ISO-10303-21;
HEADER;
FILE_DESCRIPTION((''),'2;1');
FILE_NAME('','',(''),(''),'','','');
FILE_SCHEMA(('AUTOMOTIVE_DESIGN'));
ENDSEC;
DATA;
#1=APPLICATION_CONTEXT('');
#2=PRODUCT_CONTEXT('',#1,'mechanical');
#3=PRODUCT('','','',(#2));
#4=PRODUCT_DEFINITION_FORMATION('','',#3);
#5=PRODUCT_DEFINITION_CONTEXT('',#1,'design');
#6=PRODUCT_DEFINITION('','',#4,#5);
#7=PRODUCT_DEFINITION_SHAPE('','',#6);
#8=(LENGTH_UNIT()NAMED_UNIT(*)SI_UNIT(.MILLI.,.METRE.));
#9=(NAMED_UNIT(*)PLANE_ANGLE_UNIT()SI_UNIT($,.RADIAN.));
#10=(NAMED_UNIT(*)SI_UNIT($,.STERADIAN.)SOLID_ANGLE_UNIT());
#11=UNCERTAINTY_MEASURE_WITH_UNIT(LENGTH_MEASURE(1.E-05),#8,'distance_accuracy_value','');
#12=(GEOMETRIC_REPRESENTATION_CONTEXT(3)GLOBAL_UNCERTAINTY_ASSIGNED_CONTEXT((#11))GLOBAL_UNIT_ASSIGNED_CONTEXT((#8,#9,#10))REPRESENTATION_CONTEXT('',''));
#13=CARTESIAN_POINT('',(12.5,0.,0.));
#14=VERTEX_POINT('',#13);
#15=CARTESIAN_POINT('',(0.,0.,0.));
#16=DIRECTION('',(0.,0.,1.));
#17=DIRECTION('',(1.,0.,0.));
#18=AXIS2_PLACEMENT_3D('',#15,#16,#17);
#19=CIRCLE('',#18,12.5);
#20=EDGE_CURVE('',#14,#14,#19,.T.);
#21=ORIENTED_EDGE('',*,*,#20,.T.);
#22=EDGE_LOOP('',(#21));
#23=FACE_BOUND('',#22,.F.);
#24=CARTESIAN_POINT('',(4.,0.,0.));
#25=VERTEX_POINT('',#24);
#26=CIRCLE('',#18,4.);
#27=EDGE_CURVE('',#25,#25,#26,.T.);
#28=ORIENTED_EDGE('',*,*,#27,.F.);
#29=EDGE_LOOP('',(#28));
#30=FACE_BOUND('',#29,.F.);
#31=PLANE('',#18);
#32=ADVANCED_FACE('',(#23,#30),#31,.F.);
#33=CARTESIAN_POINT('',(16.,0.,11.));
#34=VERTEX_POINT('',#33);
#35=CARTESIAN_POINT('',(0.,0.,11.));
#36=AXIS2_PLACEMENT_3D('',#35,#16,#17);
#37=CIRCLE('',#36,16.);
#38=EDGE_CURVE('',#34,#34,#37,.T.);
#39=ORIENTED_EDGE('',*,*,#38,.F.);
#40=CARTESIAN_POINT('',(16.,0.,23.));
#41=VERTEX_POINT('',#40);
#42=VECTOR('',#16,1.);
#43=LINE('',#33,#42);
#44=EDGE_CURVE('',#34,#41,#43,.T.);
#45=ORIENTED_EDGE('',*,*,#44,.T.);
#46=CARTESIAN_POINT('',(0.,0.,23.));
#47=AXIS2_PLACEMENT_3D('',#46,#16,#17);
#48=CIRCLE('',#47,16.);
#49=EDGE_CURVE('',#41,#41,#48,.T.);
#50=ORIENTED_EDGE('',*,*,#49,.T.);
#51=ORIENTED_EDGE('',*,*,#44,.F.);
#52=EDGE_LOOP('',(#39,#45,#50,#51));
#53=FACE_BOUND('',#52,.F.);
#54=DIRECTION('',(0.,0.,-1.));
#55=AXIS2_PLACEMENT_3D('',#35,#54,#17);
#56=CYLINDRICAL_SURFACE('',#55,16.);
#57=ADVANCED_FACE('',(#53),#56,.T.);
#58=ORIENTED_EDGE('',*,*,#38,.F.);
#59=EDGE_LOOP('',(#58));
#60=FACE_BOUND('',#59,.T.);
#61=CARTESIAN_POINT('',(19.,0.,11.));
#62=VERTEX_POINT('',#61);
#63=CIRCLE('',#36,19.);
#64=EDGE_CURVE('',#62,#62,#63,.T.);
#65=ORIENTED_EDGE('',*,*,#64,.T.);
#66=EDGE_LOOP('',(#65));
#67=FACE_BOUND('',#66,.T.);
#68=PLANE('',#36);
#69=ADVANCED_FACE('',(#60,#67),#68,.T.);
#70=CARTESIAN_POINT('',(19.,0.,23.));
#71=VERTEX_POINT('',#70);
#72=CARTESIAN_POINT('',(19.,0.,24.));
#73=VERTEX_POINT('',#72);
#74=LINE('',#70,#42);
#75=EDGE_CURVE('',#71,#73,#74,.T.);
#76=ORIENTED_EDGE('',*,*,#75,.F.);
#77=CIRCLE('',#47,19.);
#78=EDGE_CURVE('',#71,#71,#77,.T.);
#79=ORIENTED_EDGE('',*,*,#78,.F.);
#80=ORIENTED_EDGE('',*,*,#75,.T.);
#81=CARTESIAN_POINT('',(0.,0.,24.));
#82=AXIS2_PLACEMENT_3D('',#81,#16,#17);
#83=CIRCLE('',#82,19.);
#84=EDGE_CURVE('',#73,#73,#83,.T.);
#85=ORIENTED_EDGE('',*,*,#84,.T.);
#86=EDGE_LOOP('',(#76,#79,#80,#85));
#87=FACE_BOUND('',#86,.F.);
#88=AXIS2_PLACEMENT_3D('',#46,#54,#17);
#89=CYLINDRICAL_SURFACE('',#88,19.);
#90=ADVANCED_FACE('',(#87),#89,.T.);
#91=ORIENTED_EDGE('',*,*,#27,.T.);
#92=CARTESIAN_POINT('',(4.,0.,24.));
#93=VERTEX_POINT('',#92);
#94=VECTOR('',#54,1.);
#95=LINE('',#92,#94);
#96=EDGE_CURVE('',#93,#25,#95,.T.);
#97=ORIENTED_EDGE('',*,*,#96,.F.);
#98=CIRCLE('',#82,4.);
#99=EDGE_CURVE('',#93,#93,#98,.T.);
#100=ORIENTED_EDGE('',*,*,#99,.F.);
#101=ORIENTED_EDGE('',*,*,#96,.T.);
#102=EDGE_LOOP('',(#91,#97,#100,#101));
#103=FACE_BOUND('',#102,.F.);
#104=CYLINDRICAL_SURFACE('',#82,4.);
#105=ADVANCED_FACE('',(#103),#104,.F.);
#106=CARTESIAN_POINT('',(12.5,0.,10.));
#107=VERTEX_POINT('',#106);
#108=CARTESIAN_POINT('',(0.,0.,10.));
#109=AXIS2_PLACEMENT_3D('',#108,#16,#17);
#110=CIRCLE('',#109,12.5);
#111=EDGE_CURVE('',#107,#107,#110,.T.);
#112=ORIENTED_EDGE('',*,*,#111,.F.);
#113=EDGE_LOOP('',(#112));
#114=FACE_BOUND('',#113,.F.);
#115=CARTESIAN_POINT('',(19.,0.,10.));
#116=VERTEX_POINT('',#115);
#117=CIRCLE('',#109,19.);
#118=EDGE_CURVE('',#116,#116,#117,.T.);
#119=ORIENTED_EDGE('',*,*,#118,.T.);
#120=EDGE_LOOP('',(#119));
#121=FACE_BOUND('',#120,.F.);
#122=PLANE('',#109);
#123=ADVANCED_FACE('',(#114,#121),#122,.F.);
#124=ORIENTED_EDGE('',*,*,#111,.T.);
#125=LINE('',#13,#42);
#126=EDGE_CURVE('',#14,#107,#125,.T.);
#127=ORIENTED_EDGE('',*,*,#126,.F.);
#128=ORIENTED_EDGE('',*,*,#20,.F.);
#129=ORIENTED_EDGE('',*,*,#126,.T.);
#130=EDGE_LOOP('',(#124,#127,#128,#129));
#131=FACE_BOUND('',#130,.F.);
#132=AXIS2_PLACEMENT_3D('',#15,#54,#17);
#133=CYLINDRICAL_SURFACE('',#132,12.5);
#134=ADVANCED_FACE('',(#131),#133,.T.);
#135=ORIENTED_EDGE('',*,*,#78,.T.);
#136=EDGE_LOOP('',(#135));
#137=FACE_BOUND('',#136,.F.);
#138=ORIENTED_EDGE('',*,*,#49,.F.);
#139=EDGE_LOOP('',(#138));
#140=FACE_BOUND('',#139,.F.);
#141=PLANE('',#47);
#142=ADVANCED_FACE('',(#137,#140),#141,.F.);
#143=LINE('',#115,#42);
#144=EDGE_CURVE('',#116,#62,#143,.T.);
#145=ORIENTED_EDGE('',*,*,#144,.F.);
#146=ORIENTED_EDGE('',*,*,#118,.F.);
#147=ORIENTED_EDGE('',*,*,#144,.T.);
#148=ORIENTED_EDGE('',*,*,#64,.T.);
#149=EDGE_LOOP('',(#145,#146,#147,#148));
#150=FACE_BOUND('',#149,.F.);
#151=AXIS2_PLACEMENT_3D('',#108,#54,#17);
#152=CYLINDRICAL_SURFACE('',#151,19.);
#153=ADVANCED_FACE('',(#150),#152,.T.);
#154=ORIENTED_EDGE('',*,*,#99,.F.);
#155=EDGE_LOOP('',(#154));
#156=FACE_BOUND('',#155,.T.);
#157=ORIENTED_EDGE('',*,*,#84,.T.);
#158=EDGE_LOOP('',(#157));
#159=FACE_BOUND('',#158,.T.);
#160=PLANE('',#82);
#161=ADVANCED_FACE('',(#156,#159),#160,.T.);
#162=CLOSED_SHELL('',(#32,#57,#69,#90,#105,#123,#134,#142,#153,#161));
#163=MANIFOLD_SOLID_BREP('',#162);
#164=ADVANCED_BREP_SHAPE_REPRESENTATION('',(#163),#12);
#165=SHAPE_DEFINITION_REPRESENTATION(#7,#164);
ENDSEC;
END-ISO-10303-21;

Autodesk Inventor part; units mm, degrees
ref_plane "YZ Plane" through (0, 0, 0) normal (1, 0, 0) x (0, 1, 0)
ref_plane "XZ Plane" through (0, 0, 0) normal (0, 1, 0) x (-1, 0, 0)
ref_plane "XY Plane" through (0, 0, 0) normal (0, 0, 1) x (1, 0, 0)
sketch "Sketch1" plane through (0, 0, 0) normal (0, 0, 1) x (1, 0, 0)
  circle A0 centre (0, 0) radius 12.5
  dimension "d0" = 25
extrude "Extrusion1" add sketch "Sketch1" along normal blind 10
sketch "Sketch2" plane through (0, 0, 10) normal (0, 0, 1) x (1, 0, 0)
  circle A0 centre (0, 0) radius 19
  dimension "d3" = 38
extrude "Extrusion2" add sketch "Sketch2" along normal blind 1
sketch "Sketch3" plane through (0, 0, 11) normal (0, 0, 1) x (1, 0, 0)
  circle A0 centre (0, 0) radius 16
  dimension "d6" = 32
extrude "Extrusion3" add sketch "Sketch3" along normal blind 12
sketch "Sketch4" plane through (0, 0, 23) normal (0, 0, 1) x (1, 0, 0)
  circle A0 centre (0, 0) radius 19
  dimension "d9" = 38
extrude "Extrusion4" add sketch "Sketch4" along normal blind 1
sketch "Sketch5" plane through (0, 0, 24) normal (0, 0, 1) x (1, 0, 0)
  circle A0 centre (0, 0) radius 4
  dimension "d12" = 8
extrude "Extrusion5" cut sketch "Sketch5" against normal through all
properties part number "Pulley"
